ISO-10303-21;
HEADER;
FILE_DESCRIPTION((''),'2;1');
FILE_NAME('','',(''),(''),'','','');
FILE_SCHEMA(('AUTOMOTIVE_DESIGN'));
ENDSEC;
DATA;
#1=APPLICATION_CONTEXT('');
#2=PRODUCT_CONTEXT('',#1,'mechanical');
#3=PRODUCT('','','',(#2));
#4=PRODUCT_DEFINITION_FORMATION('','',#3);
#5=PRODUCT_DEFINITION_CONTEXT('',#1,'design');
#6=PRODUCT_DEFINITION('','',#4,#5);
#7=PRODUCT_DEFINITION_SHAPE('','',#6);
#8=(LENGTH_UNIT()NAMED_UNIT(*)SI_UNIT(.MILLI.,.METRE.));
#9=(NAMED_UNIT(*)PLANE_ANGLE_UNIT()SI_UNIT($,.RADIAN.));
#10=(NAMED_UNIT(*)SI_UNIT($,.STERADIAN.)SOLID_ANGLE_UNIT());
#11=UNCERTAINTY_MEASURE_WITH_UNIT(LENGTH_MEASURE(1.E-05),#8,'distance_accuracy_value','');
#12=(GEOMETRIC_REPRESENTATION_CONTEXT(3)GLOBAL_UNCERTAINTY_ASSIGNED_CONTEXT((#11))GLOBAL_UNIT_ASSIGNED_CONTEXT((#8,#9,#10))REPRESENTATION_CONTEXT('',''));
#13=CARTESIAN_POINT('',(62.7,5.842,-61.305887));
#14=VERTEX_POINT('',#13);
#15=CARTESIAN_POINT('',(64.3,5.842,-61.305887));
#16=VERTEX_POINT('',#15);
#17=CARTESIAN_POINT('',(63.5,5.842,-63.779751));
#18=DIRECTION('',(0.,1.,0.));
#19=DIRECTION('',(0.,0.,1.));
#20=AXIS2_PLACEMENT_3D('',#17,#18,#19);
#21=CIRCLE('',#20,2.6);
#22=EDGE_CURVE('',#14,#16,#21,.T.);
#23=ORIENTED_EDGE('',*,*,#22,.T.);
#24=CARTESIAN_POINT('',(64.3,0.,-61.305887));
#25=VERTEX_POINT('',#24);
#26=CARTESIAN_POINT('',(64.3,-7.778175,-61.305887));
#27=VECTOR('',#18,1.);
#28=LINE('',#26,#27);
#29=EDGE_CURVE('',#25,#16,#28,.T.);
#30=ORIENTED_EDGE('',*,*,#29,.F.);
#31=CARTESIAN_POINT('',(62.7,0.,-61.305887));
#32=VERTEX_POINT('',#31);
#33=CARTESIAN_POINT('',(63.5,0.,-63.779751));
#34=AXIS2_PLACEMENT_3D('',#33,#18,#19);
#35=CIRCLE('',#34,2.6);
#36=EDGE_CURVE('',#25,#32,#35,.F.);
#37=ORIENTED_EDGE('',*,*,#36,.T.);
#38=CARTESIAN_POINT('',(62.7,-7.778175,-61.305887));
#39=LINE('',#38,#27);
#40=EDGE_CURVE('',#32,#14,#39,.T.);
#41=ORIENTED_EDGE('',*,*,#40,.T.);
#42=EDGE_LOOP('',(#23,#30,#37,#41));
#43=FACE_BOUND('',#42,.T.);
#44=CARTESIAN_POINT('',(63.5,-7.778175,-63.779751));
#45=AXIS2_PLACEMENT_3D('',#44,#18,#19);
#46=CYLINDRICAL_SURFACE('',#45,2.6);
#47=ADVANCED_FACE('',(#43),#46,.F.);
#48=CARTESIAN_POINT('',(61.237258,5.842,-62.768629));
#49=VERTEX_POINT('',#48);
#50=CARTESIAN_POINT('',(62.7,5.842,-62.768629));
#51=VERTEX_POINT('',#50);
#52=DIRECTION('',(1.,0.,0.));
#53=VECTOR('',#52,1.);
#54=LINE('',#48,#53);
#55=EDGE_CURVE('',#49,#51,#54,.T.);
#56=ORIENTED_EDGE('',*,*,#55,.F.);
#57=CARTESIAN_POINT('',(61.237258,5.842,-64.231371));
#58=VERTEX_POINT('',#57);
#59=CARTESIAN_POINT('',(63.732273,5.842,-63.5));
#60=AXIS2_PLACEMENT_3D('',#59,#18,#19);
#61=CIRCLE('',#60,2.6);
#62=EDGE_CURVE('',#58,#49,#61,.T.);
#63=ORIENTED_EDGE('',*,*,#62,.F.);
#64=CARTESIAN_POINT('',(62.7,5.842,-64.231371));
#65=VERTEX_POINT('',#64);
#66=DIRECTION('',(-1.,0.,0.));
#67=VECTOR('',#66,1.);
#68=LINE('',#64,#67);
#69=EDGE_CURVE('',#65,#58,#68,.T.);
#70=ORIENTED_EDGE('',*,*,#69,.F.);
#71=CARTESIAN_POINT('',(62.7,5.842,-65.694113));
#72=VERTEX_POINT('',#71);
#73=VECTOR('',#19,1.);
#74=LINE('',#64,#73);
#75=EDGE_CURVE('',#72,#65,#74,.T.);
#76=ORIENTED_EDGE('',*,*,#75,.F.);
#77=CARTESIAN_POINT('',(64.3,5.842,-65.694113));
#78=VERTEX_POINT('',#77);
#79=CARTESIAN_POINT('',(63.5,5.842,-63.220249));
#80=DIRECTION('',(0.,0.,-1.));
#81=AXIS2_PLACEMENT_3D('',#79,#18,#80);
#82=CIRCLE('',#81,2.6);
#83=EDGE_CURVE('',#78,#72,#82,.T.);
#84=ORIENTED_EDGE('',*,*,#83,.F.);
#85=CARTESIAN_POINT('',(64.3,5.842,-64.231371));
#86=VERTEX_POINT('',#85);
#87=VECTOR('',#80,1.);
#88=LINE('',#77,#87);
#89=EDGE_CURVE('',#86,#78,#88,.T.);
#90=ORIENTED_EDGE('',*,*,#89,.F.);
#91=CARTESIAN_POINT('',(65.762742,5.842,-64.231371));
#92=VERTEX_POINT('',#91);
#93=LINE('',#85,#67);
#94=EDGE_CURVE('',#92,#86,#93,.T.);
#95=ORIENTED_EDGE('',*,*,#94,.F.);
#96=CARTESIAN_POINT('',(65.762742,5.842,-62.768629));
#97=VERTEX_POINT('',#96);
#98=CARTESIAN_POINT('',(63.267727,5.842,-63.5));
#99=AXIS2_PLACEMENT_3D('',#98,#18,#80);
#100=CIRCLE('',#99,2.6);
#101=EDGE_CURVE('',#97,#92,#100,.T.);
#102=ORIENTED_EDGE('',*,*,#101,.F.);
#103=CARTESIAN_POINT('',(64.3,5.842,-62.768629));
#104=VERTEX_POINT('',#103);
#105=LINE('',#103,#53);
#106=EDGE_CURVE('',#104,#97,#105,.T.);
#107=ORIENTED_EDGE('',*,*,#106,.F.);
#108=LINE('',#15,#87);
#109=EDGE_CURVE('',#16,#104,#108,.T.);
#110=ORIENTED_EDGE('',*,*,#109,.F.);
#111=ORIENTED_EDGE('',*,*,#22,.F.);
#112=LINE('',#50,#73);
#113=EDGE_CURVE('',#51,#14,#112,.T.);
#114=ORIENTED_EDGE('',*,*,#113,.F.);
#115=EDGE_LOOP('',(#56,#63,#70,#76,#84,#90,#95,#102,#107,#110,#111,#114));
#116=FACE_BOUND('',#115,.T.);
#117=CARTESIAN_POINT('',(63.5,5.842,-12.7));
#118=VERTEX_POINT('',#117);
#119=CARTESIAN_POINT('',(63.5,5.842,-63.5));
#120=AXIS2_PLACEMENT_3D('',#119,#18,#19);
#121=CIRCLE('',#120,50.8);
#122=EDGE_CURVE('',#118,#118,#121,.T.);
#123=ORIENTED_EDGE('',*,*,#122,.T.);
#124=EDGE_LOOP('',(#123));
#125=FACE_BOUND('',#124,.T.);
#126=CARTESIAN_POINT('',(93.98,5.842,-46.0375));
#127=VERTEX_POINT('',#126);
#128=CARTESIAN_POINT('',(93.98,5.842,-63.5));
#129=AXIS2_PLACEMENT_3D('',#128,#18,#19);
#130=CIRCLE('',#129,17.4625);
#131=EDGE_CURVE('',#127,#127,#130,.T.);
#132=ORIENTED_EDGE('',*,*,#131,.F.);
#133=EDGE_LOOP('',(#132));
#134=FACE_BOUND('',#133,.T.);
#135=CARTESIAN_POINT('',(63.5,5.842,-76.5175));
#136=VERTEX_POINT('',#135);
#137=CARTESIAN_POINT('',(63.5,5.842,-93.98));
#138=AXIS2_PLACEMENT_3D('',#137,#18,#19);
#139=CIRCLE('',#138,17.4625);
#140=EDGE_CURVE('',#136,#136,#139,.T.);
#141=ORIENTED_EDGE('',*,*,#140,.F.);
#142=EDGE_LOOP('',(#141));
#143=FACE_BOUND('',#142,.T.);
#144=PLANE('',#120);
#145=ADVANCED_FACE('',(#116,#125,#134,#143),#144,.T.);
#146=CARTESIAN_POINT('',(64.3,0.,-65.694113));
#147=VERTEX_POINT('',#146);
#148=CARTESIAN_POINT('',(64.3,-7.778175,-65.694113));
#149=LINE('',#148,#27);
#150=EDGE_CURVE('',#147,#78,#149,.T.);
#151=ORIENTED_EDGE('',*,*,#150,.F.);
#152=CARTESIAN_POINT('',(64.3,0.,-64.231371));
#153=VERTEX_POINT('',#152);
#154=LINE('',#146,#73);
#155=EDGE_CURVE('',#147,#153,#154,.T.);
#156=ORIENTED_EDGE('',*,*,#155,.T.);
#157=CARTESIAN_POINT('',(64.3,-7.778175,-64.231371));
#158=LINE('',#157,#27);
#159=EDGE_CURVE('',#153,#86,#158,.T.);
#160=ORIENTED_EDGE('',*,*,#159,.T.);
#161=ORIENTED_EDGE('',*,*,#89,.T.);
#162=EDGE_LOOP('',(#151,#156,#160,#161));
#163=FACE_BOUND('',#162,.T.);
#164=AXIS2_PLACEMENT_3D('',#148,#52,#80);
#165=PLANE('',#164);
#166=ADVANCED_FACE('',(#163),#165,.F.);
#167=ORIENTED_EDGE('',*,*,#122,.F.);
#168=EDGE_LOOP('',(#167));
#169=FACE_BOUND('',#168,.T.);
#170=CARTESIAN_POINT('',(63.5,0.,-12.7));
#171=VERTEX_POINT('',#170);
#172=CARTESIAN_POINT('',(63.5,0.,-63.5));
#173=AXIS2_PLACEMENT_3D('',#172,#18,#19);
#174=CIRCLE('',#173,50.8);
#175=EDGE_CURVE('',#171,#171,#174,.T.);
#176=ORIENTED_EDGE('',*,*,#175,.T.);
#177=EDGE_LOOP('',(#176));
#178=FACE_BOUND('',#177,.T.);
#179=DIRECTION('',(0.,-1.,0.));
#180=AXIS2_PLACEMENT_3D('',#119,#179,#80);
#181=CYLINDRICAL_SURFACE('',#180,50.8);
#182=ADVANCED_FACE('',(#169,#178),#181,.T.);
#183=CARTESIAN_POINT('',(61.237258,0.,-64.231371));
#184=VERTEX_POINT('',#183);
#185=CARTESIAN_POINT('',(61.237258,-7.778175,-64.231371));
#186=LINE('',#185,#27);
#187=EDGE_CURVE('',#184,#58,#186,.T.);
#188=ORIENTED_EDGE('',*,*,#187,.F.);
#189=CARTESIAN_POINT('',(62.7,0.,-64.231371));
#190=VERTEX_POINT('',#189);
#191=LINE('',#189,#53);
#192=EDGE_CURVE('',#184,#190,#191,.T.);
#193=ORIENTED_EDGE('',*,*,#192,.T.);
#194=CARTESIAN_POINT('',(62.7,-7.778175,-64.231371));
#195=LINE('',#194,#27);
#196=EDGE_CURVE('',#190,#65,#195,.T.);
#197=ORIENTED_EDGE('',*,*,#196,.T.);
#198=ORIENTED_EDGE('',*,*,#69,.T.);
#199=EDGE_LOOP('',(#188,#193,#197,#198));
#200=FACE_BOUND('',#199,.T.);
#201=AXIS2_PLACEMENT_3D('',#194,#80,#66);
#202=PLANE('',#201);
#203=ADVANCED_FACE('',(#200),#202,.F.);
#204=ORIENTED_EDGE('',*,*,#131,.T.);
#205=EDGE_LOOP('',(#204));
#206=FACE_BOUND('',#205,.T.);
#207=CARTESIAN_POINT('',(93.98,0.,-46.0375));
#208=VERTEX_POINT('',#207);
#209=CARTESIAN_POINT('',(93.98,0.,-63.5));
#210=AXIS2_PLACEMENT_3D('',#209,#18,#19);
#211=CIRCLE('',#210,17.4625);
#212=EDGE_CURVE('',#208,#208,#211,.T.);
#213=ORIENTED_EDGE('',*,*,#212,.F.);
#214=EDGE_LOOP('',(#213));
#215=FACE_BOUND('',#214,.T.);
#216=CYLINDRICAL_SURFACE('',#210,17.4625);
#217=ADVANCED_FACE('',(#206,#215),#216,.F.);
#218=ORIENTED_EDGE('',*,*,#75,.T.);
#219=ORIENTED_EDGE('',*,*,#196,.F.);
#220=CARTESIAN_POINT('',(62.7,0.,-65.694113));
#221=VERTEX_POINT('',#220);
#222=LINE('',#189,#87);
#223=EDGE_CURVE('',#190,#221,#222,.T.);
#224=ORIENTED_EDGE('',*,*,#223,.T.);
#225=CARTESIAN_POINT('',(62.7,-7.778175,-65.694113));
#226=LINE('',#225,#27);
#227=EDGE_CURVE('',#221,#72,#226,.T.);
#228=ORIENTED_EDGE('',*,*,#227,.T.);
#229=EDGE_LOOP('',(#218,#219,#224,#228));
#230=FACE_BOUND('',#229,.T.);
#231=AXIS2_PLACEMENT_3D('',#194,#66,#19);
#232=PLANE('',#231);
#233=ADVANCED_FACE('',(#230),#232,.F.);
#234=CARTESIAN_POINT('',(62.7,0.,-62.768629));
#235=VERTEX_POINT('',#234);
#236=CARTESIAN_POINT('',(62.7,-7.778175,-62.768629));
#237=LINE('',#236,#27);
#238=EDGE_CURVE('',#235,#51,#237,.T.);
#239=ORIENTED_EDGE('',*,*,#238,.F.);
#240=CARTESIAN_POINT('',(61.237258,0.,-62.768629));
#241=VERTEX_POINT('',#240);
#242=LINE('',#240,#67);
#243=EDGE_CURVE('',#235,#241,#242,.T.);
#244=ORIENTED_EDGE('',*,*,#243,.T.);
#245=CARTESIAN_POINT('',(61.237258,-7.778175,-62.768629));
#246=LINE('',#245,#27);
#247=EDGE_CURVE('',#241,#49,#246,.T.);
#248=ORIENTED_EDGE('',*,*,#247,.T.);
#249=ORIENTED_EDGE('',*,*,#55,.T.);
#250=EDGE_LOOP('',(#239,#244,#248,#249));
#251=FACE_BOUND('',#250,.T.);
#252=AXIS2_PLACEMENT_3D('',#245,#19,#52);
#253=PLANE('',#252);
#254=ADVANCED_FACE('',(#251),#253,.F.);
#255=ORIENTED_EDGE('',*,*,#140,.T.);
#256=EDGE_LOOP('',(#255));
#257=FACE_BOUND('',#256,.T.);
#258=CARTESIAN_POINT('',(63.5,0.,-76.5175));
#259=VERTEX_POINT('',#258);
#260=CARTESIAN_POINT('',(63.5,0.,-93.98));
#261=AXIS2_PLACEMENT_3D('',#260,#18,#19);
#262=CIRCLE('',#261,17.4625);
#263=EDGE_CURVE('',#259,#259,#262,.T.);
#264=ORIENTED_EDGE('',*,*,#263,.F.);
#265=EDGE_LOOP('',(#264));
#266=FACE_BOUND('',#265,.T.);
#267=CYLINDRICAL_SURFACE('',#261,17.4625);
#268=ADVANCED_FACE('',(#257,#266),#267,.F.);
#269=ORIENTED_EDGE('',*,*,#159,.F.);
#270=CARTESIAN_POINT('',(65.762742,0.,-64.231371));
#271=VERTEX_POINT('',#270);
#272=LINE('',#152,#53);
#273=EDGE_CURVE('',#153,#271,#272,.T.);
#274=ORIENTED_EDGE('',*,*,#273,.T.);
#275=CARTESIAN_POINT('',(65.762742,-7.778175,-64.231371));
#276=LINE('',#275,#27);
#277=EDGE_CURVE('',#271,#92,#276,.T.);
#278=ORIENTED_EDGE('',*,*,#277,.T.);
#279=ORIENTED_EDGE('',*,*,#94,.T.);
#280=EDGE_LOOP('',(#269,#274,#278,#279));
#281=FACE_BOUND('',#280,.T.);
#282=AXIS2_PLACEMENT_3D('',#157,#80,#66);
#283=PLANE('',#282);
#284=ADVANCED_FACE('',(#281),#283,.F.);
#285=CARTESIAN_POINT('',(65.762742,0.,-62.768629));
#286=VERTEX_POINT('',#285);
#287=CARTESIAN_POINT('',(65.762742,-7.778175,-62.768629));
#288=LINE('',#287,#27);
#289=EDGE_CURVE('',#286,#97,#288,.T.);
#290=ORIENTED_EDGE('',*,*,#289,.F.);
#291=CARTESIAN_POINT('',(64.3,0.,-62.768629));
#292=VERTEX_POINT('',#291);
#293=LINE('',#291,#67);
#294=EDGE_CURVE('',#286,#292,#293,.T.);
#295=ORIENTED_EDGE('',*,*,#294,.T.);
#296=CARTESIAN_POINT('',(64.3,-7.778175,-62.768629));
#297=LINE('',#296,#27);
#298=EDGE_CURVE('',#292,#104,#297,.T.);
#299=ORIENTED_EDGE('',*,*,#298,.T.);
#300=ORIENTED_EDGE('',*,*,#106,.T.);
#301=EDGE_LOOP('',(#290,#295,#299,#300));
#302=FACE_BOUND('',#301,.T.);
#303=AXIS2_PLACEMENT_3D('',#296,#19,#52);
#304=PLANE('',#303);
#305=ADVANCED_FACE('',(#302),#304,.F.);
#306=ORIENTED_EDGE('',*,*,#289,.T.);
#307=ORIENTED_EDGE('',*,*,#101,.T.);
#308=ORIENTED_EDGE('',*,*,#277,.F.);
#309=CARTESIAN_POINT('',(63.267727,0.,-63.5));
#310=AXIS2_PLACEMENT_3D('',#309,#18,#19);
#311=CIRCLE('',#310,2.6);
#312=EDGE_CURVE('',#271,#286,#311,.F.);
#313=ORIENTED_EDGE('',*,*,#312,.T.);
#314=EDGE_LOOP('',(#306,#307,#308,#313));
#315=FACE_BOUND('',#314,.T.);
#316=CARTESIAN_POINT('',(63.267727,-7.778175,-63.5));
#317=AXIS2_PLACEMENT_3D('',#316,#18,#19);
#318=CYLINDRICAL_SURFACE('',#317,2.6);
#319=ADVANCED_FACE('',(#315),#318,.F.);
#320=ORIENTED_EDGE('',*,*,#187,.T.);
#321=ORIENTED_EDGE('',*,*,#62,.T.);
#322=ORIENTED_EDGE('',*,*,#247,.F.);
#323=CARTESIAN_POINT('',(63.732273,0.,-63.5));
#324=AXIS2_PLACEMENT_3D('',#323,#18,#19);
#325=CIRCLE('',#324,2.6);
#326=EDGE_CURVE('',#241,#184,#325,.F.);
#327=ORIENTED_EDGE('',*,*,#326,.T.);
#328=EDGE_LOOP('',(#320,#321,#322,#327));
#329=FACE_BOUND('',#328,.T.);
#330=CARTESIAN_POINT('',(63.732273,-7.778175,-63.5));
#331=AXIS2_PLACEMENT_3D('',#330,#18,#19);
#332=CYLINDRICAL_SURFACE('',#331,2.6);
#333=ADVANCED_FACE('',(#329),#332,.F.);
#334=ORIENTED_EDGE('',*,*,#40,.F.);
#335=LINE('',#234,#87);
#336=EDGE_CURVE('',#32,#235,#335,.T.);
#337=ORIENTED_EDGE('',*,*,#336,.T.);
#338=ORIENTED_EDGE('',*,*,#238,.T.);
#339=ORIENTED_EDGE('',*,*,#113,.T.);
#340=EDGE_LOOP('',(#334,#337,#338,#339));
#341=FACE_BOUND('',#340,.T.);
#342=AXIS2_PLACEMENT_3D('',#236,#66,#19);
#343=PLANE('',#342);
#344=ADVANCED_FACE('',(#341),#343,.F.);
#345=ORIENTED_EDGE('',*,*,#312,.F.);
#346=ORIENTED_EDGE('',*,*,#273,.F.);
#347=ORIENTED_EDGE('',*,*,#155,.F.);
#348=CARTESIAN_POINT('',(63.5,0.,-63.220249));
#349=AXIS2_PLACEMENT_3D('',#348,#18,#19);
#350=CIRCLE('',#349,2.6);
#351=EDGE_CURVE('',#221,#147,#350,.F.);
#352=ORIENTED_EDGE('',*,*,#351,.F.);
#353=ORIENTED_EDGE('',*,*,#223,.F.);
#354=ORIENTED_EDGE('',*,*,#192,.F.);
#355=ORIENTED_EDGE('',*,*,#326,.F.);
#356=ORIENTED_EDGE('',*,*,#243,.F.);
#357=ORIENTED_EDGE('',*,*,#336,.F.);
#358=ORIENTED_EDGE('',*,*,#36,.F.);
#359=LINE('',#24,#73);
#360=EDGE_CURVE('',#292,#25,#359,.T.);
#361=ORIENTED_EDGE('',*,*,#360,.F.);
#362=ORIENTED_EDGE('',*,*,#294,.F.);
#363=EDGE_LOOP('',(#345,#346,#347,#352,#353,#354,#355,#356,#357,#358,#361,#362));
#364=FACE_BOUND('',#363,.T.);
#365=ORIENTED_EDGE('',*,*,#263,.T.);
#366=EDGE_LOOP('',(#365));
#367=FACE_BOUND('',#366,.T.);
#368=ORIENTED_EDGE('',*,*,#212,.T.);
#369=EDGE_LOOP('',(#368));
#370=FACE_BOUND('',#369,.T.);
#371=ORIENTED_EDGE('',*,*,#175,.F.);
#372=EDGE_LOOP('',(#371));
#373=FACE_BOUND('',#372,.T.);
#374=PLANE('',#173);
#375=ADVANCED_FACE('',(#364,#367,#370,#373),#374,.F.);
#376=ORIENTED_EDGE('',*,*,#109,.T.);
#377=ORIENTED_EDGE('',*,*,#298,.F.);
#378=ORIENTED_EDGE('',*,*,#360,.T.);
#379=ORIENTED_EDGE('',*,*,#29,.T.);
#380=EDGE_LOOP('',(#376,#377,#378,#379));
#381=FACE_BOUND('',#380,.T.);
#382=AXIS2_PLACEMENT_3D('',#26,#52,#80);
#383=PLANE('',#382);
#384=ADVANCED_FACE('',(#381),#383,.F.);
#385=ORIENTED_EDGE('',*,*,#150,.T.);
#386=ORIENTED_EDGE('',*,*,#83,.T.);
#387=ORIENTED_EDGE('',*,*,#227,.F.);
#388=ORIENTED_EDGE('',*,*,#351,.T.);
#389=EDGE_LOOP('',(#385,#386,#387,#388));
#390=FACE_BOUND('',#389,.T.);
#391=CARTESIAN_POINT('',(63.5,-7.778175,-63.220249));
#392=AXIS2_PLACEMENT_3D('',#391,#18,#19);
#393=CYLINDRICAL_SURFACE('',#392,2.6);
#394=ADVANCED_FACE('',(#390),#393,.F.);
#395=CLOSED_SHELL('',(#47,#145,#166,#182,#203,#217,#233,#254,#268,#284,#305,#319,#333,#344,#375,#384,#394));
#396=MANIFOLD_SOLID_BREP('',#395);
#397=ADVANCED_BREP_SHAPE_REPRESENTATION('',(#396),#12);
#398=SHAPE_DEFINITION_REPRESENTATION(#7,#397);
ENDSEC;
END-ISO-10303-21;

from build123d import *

# Parameters (mm, degrees)
SKETCH6_R           = 50.8
BOSS_EXTRUDE3_DEPTH = 5.842
CUT_EXTRUDE2_DEPTH  = 6.842
SKETCH12_R          = 2.75
CUT_EXTRUDE3_DEPTH  = 6.842
SKETCH12_3_R        = 2.75
BOSS_EXTRUDE4_DEPTH = 5.842


with BuildPart() as part:
    # Sketch6 → Boss-Extrude3 (new body)
    with BuildSketch(Plane(origin=(0, 0, 0), x_dir=(1, 0, 0), z_dir=(0, 1, 0))):
        with Locations((63.5, 63.5)):
            Circle(SKETCH6_R)
    extrude(amount=BOSS_EXTRUDE3_DEPTH)

    # Sketch11 → Cut-Extrude2 (cut, through all)
    with BuildSketch(Plane(origin=(0, 5.842, 0), x_dir=(1, 0, 0), z_dir=(0, 1, 0))):
        with BuildLine():
            ThreePointArc((80.9625, 93.98), (75.847852166, 106.327852166), (63.5, 111.4425))
            Line((63.5, 111.4425), (63.5, 76.5175))
            ThreePointArc((63.5, 76.5175), (75.847852166, 81.632147834), (80.9625, 93.98))
        make_face()
        with BuildLine():
            Line((63.5, 76.5175), (63.5, 111.4425))
            ThreePointArc((63.5, 111.4425), (46.0375, 93.98), (63.5, 76.5175))
        make_face()
        with BuildLine():
            ThreePointArc((111.4425, 63.5), (93.98, 80.9625), (76.5175, 63.5))
            Line((76.5175, 63.5), (111.4425, 63.5))
        make_face()
        with BuildLine():
            Line((111.4425, 63.5), (76.5175, 63.5))
            ThreePointArc((76.5175, 63.5), (93.98, 46.0375), (111.4425, 63.5))
        make_face()
    extrude(amount=-CUT_EXTRUDE2_DEPTH, mode=Mode.SUBTRACT)

    # Sketch12 → Cut-Extrude3 (cut, through all)
    with BuildSketch(Plane(origin=(0, 5.842, 0), x_dir=(1, 0, 0), z_dir=(0, 1, 0))):
        with Locations((63.5, 63.5)):
            Circle(SKETCH12_R)
    extrude(amount=-CUT_EXTRUDE3_DEPTH, mode=Mode.SUBTRACT)

    # Sketch12<3> → Boss-Extrude4 (add)
    with BuildSketch(Plane(origin=(0, 5.842, 0), x_dir=(1, 0, 0), z_dir=(0, 1, 0))):
        with Locations((63.5, 63.5)):
            Circle(SKETCH12_3_R)
        with BuildLine():
            Line((62.7, 64.23137085), (62.7, 65.69411255))
            ThreePointArc((62.7, 65.69411255), (63.5, 65.820249175), (64.3, 65.69411255))
            Line((64.3, 65.69411255), (64.3, 64.23137085))
            Line((64.3, 64.23137085), (65.7627417, 64.23137085))
            ThreePointArc((65.7627417, 64.23137085), (65.867727335, 63.5), (65.7627417, 62.76862915))
            Line((65.7627417, 62.76862915), (64.3, 62.76862915))
            Line((64.3, 62.76862915), (64.3, 61.30588745))
            ThreePointArc((64.3, 61.30588745), (63.5, 61.179750825), (62.7, 61.30588745))
            Line((62.7, 61.30588745), (62.7, 62.76862915))
            Line((62.7, 62.76862915), (61.2372583, 62.76862915))
            ThreePointArc((61.2372583, 62.76862915), (61.132272665, 63.5), (61.2372583, 64.23137085))
            Line((61.2372583, 64.23137085), (62.7, 64.23137085))
        make_face(mode=Mode.SUBTRACT)
    extrude(amount=-BOSS_EXTRUDE4_DEPTH)


solid = part.part
